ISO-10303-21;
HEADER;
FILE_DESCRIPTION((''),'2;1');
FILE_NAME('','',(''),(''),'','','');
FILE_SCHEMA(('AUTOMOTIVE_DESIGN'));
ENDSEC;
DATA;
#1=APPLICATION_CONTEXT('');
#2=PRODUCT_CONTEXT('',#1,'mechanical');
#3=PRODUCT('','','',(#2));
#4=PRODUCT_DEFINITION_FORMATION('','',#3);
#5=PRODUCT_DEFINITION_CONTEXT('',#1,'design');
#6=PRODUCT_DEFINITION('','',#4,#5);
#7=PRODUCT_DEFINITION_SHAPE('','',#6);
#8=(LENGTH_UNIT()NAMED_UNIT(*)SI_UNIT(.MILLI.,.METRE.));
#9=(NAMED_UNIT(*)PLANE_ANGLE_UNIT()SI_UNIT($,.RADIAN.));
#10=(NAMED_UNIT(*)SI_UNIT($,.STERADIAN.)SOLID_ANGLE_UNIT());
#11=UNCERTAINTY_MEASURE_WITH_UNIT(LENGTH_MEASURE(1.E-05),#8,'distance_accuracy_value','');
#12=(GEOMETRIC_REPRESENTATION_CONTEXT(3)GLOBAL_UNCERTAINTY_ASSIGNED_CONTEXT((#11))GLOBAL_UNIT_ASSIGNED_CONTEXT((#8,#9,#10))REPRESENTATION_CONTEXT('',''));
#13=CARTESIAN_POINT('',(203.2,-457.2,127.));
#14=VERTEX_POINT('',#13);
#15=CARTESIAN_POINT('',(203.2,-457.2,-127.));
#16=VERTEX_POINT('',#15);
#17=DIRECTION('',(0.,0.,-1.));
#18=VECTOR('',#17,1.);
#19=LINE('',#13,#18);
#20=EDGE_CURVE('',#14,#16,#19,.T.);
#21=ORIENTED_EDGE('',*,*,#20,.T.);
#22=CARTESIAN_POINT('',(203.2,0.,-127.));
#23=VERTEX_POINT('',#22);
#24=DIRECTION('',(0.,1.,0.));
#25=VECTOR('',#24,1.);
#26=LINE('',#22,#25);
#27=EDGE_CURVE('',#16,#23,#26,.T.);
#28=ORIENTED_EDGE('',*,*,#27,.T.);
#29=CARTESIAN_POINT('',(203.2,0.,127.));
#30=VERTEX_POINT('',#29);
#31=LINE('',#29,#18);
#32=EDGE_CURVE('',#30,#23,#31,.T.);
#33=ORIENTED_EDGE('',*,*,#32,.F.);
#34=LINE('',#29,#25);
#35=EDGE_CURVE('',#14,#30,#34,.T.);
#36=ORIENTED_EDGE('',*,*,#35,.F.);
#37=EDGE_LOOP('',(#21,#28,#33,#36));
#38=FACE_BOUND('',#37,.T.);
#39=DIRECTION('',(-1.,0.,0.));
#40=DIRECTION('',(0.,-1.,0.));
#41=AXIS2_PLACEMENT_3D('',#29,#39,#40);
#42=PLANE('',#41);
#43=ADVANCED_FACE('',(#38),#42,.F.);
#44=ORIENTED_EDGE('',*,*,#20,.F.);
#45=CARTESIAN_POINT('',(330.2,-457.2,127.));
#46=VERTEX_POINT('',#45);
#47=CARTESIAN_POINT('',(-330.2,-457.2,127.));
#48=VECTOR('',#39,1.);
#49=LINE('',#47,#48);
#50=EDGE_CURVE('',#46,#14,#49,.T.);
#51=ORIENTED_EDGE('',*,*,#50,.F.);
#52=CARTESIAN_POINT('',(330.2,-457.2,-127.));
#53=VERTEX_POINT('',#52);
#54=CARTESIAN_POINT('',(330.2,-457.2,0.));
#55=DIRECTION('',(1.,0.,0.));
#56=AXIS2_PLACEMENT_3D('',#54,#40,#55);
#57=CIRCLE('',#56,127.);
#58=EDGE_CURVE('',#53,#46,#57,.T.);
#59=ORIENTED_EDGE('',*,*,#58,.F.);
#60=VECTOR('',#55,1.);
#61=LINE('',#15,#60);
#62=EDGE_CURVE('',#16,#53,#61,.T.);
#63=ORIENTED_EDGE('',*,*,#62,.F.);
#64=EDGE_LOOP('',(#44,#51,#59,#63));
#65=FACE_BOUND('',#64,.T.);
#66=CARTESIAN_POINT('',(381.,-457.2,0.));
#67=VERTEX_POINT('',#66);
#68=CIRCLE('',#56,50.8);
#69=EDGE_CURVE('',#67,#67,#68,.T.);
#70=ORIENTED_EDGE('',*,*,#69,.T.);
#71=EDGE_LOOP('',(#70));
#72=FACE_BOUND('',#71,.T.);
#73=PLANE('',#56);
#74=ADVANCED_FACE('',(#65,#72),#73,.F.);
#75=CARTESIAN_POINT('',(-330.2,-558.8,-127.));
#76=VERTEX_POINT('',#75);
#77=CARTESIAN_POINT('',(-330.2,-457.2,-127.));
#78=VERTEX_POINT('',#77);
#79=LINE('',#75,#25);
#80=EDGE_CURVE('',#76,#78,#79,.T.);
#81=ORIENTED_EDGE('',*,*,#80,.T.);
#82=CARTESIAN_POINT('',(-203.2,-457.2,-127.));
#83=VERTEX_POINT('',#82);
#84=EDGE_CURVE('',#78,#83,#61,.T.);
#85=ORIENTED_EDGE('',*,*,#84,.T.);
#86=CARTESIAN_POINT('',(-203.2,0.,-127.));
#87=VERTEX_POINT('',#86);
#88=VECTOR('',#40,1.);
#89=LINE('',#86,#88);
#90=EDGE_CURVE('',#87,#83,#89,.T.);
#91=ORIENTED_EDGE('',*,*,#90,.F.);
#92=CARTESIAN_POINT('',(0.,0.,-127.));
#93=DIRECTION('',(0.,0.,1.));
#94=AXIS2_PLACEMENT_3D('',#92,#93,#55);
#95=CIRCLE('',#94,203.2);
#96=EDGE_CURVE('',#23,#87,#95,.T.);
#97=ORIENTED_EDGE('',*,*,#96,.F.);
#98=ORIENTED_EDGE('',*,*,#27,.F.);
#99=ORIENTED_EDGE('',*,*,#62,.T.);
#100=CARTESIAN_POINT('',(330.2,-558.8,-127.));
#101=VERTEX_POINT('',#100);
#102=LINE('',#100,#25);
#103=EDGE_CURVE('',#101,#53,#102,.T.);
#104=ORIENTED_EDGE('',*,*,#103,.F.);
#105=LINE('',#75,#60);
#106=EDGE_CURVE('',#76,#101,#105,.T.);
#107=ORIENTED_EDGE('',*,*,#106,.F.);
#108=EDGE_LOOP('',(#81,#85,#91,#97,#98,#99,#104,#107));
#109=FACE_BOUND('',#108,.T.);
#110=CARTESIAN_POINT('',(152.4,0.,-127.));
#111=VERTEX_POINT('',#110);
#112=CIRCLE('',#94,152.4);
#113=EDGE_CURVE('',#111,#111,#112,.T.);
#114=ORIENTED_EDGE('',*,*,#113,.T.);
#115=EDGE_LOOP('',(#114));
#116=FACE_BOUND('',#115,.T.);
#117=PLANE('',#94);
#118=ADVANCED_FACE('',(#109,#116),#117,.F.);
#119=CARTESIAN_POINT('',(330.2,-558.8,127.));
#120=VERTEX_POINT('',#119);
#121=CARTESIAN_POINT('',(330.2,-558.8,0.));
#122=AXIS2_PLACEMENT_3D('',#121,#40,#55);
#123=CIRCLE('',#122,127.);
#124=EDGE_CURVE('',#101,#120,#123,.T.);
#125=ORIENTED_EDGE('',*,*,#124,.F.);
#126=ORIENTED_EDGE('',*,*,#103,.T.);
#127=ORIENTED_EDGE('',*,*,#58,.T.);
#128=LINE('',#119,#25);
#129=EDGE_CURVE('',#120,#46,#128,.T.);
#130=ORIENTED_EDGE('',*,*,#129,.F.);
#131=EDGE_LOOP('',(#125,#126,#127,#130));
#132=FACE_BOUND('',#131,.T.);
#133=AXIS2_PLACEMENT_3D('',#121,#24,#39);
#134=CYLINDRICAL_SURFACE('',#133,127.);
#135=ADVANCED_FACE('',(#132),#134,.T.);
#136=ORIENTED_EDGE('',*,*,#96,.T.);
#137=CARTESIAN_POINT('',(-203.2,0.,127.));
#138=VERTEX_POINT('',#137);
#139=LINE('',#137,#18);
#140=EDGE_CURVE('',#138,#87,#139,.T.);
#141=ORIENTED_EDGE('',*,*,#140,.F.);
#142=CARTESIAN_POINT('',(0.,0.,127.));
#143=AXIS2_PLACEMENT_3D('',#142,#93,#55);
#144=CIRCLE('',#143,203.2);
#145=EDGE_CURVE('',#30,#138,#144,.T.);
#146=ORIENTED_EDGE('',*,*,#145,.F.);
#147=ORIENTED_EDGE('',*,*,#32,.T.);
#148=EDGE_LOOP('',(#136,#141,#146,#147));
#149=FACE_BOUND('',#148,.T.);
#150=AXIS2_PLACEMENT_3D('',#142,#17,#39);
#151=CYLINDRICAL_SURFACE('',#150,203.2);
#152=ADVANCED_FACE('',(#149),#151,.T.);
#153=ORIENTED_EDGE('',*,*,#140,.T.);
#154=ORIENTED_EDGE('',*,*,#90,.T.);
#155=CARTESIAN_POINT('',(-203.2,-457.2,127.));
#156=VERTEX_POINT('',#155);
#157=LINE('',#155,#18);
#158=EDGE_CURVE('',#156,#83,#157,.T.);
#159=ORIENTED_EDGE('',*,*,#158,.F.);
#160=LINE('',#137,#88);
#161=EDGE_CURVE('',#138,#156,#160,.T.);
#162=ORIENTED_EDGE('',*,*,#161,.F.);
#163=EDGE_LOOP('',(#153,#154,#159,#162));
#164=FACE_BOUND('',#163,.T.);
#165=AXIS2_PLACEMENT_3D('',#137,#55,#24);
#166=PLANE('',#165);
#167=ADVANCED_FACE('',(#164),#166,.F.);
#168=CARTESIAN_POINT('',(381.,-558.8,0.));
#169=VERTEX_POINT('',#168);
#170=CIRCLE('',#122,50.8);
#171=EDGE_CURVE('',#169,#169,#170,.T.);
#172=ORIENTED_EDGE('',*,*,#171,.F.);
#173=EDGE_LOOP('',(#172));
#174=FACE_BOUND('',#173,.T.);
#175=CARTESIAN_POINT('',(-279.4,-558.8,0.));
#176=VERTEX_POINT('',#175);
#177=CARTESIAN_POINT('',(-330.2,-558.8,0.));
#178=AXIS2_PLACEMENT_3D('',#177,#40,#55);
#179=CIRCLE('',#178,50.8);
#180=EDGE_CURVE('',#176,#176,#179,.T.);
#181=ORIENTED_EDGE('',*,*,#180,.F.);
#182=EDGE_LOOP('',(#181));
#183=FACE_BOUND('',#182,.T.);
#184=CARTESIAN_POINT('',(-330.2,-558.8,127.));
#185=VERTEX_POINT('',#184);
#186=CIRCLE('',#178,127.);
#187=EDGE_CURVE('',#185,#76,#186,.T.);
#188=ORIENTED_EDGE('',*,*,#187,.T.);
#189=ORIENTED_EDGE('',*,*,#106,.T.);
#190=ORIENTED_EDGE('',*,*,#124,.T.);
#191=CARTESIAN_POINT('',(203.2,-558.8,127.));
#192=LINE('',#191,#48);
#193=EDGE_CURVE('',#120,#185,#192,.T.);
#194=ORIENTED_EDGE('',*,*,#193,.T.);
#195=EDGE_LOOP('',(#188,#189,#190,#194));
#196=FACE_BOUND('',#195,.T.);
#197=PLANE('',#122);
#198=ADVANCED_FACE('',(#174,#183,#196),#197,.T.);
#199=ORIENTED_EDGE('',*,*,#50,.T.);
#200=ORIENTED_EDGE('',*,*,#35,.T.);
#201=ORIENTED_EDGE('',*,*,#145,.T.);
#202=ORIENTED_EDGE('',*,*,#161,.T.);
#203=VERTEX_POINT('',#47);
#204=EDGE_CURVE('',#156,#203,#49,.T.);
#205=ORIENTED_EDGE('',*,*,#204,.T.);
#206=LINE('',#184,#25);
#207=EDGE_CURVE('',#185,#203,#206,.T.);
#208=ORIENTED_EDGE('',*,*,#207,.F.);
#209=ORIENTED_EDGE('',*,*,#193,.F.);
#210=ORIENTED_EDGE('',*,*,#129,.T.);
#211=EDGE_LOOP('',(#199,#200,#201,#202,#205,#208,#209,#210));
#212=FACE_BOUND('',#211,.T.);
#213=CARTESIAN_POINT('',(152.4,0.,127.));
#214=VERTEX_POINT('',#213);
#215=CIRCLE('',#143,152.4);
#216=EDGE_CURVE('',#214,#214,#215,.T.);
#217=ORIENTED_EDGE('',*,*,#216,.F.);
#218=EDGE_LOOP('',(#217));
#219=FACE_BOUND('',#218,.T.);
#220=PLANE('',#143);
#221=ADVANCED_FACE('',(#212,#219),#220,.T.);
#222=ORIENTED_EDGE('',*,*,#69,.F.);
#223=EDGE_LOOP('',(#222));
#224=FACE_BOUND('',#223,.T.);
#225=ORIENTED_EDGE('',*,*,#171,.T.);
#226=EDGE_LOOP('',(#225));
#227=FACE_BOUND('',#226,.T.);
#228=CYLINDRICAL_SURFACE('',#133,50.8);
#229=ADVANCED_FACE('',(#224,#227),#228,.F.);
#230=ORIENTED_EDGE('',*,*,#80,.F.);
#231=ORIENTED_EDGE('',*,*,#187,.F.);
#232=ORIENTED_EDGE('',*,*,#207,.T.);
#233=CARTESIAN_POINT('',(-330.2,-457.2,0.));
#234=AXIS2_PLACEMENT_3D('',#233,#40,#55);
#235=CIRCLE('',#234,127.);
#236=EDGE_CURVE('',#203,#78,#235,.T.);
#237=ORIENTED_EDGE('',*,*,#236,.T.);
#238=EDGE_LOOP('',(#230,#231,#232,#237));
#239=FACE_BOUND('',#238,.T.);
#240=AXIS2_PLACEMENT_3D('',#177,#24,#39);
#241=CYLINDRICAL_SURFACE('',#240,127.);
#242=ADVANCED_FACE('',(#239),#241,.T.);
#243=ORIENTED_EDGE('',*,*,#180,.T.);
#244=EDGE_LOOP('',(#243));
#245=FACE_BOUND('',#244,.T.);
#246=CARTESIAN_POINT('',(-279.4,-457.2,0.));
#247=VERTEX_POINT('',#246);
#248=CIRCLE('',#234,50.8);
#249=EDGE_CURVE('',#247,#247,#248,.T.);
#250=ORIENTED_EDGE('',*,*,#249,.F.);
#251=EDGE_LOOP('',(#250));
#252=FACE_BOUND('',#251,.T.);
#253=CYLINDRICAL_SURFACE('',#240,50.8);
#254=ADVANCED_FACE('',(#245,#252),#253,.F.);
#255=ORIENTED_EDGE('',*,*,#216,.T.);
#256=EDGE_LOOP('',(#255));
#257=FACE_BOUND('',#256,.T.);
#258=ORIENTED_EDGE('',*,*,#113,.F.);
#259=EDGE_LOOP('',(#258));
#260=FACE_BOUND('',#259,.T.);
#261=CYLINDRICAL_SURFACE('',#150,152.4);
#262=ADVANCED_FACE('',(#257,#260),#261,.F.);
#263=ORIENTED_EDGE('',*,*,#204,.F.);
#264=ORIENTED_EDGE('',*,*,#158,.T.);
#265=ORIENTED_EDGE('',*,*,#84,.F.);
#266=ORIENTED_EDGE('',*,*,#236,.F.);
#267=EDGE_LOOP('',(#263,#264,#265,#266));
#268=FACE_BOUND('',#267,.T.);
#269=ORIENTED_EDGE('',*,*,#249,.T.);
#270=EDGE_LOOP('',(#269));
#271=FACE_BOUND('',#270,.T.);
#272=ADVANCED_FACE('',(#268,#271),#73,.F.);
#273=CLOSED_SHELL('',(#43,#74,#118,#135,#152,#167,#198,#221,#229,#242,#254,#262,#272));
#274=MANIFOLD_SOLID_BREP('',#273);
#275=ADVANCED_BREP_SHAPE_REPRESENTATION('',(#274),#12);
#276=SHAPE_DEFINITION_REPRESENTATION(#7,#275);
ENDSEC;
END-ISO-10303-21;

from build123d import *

# Parameters (mm, degrees)
SKETCH1_R           = 152.4
BOSS_EXTRUDE1_DEPTH = 127
SKETCH2_R           = 50.8
BOSS_EXTRUDE2_DEPTH = 101.6


with BuildPart() as part:
    # Sketch1 → Boss-Extrude1 (new, symmetric)
    with BuildSketch(Plane.XY):
        with BuildLine():
            Line((-203.2, -457.2), (203.2, -457.2))
            Line((203.2, -457.2), (203.2, 0))
            ThreePointArc((203.2, 0), (0, 203.2), (-203.2, 0))
            Line((-203.2, 0), (-203.2, -457.2))
        make_face()
        Circle(SKETCH1_R, mode=Mode.SUBTRACT)
    extrude(amount=BOSS_EXTRUDE1_DEPTH, both=True)

    # Sketch2 → Boss-Extrude2 (add)
    with BuildSketch(Plane.XZ.offset(457.2)):
        with BuildLine():
            Line((-203.2, -127), (203.2, -127))
            Line((203.2, -127), (330.2, -127))
            ThreePointArc((330.2, -127), (457.2, 0), (330.2, 127))
            Line((330.2, 127), (203.2, 127))
            Line((203.2, 127), (-203.2, 127))
            Line((-203.2, 127), (-330.2, 127))
            ThreePointArc((-330.2, 127), (-457.2, 0), (-330.2, -127))
            Line((-330.2, -127), (-203.2, -127))
        make_face()
        with Locations((-330.2, 0)):
            Circle(SKETCH2_R, mode=Mode.SUBTRACT)
        with Locations((330.2, 0)):
            Circle(SKETCH2_R, mode=Mode.SUBTRACT)
    extrude(amount=BOSS_EXTRUDE2_DEPTH)


solid = part.part
